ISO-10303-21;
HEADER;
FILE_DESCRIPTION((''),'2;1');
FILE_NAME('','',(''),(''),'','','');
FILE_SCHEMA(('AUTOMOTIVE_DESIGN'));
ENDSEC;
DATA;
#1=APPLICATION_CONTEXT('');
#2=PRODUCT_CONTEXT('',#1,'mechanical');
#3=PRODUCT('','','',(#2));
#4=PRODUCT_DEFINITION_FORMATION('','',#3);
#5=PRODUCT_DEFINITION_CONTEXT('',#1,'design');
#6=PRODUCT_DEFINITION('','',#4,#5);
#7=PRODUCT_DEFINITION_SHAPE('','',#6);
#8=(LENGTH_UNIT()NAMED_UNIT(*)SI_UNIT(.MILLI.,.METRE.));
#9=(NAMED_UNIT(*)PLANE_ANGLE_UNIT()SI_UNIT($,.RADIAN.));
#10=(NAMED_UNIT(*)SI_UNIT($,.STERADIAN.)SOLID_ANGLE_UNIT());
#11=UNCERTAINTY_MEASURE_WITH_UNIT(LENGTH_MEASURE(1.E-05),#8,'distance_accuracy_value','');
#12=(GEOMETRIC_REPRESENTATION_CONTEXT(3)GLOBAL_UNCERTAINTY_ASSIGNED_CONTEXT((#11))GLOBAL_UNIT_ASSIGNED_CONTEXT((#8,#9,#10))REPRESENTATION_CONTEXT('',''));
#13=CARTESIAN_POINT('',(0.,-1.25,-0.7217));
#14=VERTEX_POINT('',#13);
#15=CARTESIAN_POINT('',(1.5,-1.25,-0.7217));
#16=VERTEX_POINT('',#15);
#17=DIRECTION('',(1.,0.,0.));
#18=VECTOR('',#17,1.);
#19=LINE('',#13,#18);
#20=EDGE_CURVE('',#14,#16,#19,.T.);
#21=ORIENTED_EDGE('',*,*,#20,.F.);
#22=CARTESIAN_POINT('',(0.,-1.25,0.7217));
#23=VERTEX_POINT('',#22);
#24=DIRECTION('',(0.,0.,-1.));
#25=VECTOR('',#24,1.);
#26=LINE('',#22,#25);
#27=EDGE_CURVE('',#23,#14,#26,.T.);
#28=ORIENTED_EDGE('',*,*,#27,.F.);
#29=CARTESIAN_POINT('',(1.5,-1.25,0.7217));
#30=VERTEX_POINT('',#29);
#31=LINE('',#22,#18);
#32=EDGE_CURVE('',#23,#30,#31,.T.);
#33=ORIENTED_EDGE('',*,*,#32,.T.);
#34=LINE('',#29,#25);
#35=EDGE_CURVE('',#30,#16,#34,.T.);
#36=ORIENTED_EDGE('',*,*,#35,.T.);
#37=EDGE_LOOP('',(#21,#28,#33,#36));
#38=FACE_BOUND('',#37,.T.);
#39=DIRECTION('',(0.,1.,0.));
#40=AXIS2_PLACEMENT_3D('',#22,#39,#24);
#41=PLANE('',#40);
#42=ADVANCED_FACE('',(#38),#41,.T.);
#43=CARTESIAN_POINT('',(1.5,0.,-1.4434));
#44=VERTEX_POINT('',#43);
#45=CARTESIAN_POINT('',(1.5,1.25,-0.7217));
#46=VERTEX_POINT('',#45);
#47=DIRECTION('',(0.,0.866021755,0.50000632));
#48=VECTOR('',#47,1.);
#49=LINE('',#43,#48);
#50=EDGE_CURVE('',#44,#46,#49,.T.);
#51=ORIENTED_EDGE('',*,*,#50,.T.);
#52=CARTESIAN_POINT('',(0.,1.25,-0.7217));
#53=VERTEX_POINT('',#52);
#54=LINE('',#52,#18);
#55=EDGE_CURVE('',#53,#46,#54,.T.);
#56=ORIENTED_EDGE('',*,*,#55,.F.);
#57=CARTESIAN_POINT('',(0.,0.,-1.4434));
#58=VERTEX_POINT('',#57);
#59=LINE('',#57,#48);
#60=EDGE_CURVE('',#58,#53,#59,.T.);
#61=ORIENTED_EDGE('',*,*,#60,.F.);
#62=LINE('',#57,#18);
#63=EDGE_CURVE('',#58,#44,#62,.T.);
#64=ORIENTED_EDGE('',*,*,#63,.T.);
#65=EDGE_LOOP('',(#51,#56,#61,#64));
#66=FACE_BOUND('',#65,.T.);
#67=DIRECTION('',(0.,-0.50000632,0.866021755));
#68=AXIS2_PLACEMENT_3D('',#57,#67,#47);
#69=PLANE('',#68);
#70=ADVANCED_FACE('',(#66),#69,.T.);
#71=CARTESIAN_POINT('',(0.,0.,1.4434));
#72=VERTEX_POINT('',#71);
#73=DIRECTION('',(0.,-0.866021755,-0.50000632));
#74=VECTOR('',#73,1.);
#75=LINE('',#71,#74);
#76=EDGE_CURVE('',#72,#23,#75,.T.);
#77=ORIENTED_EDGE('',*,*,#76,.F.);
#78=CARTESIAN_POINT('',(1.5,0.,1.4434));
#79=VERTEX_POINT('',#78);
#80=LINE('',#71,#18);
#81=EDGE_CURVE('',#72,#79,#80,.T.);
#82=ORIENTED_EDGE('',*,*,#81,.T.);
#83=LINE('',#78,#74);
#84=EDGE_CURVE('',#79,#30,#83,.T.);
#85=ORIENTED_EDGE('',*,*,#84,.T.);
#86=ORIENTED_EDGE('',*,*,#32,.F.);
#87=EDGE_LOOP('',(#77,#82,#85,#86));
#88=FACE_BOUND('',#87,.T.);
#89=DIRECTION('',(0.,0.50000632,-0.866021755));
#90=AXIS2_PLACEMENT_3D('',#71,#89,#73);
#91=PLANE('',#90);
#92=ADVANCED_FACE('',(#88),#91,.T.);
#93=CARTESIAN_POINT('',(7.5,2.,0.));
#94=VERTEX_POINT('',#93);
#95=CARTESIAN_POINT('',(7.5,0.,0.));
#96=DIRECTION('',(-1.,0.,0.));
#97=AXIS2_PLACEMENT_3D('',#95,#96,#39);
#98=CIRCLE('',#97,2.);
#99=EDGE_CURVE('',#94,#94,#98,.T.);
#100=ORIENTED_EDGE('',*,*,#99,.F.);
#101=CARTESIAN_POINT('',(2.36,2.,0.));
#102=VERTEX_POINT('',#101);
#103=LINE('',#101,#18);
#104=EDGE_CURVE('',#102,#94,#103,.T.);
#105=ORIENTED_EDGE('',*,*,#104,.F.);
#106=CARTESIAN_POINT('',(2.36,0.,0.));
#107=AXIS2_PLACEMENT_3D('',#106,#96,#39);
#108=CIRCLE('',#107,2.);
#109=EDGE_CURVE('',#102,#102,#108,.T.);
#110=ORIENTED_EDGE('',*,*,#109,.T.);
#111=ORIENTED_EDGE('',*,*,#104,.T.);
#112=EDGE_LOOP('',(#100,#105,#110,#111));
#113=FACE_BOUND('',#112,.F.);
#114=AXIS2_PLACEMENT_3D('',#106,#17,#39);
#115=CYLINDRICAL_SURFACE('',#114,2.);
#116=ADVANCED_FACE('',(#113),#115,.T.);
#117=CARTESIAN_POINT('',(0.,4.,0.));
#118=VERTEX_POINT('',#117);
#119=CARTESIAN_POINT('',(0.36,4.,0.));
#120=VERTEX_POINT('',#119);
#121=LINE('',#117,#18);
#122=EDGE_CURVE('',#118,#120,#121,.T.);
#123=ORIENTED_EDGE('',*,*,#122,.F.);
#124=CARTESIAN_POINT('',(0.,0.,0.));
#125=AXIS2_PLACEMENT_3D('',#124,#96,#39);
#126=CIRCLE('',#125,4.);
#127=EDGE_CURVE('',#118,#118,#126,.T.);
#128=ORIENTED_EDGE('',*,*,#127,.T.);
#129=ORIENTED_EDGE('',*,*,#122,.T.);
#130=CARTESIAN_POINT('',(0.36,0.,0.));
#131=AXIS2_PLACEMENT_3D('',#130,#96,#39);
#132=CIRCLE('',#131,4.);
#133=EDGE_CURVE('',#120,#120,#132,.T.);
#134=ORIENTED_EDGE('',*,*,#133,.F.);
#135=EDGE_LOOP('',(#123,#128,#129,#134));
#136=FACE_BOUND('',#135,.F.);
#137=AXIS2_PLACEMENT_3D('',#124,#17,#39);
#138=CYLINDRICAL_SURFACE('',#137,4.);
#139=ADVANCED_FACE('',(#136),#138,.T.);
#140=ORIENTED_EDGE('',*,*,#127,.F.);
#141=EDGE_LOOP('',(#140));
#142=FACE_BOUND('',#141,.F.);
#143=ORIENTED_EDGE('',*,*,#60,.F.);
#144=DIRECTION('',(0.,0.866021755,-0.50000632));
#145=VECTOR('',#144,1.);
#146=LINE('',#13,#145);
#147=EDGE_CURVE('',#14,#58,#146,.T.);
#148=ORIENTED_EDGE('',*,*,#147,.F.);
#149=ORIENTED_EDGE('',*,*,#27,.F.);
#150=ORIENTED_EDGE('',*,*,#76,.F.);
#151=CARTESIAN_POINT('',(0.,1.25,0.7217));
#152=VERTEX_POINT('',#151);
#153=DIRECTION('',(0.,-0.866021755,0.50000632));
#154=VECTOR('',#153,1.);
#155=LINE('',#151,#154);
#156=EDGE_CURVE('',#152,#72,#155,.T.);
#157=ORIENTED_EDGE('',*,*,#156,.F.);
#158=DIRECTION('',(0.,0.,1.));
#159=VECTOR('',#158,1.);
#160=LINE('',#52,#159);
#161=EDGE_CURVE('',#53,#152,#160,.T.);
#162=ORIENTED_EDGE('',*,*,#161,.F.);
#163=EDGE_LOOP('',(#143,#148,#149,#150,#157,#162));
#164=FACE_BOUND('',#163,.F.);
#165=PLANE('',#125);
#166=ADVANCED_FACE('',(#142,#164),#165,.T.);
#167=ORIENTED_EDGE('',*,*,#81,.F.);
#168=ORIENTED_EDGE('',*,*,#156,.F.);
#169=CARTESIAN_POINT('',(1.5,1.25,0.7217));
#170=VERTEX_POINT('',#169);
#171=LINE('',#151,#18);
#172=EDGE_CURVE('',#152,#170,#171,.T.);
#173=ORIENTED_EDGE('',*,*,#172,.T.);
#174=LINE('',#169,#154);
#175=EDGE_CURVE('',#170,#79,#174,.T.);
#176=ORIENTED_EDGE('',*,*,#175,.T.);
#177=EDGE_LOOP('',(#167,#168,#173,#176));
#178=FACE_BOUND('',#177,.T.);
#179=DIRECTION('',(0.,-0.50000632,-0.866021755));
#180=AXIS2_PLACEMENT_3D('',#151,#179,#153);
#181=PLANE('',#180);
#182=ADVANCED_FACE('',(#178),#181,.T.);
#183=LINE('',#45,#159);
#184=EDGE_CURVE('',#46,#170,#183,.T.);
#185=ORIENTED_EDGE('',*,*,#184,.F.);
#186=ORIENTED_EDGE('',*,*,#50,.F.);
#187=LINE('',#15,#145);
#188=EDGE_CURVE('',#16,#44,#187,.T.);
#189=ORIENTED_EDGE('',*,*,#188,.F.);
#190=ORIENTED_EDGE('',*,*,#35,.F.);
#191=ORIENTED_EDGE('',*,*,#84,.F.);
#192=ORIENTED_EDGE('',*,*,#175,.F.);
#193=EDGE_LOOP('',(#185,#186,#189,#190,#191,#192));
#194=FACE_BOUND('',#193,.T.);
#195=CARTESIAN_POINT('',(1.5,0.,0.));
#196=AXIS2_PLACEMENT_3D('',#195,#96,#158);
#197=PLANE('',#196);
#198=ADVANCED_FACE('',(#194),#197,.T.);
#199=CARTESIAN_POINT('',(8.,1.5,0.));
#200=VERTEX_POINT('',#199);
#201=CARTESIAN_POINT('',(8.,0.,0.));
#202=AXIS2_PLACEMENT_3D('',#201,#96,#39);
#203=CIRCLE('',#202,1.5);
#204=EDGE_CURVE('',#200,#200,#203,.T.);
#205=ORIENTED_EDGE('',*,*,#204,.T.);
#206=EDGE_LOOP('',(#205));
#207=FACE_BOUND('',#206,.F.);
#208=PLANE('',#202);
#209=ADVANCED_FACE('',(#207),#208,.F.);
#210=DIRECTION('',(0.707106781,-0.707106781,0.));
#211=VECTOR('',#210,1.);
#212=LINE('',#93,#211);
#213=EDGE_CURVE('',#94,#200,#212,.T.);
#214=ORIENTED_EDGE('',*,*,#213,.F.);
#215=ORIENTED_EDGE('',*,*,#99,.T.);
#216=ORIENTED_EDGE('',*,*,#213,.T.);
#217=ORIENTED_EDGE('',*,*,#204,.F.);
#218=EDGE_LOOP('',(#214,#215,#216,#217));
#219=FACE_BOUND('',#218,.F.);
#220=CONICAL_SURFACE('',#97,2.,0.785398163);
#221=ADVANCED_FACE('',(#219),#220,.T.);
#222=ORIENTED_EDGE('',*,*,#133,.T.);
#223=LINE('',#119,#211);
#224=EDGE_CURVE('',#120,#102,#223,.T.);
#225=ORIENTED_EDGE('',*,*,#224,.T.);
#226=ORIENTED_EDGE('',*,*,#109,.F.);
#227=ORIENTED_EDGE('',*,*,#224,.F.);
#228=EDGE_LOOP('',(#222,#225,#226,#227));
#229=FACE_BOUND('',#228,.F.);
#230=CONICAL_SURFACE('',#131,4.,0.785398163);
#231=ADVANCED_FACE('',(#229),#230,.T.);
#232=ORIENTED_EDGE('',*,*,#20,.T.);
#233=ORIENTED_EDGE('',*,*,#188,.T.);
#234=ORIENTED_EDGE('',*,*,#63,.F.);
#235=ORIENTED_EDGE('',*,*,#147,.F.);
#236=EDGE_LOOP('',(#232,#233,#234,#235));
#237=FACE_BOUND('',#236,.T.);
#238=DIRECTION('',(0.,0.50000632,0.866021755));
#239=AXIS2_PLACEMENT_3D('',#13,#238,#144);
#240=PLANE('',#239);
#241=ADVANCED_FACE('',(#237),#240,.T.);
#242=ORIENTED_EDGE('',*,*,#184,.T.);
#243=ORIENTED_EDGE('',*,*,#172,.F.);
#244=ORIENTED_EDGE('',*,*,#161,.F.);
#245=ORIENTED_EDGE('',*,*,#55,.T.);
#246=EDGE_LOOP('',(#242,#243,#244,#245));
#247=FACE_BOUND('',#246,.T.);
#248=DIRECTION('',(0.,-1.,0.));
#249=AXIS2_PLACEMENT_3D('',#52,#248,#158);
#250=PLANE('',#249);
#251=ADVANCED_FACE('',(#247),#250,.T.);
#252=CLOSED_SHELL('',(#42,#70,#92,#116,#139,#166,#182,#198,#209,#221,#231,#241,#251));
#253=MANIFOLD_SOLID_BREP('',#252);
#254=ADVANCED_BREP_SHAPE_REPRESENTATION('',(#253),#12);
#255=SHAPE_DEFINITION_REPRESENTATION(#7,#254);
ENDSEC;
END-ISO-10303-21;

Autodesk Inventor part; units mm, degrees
ref_plane "YZ Plane" through (0, 0, 0) normal (1, 0, 0) x (0, 1, 0)
ref_plane "XZ Plane" through (0, 0, 0) normal (0, 1, 0) x (-1, 0, 0)
ref_plane "XY Plane" through (0, 0, 0) normal (0, 0, 1) x (1, 0, 0)
sketch "Sketch1" plane through (0, 0, 0) normal (0, 0, 1) x (1, 0, 0)
  line L0 (0, 0) -> (0, 4)
  line L1 (0, 4) -> (0.36, 4)
  line L2 (0.36, 4) -> (2.36, 2)
  line L3 (2.36, 2) -> (8, 2)
  line L4 (8, 2) -> (8, 0)
  line L5 (8, 0) -> (0, 0)
  dimension "d0" = 4
  dimension "d1" = 0.36
  dimension "d2" = 135
  dimension "d3" = 8
  dimension "d4" = 2
revolve "Revolution1" add sketch "Sketch1" angle 360 about axis through (8, 0, 0) along (-1, 0, 0)
chamfer "Chamfer1" distance 0.5 angle 45 1 edges at (8, -2, 0)
sketch "Sketch2" plane through (0, 0, 0) normal (-1, 0, 0) x (0, 0, 1)
  circle A0 centre (0, 0) radius 4 projected
  line L0 (-1.4434, 0) -> (-0.7217, 1.25)
  line L1 (-0.7217, 1.25) -> (0.7217, 1.25)
  line L2 (0.7217, 1.25) -> (1.4434, 0)
  line L3 (1.4434, 0) -> (0.7217, -1.25)
  line L4 (0.7217, -1.25) -> (-0.7217, -1.25)
  line L5 (-0.7217, -1.25) -> (-1.4434, 0)
  dimension "d9" = 2.5
extrude "Extrusion1" cut sketch "Sketch2" against normal blind 1.5 contours L0 L1 L2 L3 L4 L5
thread "Thread1" size "M4x0.7" class "6g" standard "ANSI Metric M Profile" full length
properties part number "FHS4x8" material "Steel, Alloy"
